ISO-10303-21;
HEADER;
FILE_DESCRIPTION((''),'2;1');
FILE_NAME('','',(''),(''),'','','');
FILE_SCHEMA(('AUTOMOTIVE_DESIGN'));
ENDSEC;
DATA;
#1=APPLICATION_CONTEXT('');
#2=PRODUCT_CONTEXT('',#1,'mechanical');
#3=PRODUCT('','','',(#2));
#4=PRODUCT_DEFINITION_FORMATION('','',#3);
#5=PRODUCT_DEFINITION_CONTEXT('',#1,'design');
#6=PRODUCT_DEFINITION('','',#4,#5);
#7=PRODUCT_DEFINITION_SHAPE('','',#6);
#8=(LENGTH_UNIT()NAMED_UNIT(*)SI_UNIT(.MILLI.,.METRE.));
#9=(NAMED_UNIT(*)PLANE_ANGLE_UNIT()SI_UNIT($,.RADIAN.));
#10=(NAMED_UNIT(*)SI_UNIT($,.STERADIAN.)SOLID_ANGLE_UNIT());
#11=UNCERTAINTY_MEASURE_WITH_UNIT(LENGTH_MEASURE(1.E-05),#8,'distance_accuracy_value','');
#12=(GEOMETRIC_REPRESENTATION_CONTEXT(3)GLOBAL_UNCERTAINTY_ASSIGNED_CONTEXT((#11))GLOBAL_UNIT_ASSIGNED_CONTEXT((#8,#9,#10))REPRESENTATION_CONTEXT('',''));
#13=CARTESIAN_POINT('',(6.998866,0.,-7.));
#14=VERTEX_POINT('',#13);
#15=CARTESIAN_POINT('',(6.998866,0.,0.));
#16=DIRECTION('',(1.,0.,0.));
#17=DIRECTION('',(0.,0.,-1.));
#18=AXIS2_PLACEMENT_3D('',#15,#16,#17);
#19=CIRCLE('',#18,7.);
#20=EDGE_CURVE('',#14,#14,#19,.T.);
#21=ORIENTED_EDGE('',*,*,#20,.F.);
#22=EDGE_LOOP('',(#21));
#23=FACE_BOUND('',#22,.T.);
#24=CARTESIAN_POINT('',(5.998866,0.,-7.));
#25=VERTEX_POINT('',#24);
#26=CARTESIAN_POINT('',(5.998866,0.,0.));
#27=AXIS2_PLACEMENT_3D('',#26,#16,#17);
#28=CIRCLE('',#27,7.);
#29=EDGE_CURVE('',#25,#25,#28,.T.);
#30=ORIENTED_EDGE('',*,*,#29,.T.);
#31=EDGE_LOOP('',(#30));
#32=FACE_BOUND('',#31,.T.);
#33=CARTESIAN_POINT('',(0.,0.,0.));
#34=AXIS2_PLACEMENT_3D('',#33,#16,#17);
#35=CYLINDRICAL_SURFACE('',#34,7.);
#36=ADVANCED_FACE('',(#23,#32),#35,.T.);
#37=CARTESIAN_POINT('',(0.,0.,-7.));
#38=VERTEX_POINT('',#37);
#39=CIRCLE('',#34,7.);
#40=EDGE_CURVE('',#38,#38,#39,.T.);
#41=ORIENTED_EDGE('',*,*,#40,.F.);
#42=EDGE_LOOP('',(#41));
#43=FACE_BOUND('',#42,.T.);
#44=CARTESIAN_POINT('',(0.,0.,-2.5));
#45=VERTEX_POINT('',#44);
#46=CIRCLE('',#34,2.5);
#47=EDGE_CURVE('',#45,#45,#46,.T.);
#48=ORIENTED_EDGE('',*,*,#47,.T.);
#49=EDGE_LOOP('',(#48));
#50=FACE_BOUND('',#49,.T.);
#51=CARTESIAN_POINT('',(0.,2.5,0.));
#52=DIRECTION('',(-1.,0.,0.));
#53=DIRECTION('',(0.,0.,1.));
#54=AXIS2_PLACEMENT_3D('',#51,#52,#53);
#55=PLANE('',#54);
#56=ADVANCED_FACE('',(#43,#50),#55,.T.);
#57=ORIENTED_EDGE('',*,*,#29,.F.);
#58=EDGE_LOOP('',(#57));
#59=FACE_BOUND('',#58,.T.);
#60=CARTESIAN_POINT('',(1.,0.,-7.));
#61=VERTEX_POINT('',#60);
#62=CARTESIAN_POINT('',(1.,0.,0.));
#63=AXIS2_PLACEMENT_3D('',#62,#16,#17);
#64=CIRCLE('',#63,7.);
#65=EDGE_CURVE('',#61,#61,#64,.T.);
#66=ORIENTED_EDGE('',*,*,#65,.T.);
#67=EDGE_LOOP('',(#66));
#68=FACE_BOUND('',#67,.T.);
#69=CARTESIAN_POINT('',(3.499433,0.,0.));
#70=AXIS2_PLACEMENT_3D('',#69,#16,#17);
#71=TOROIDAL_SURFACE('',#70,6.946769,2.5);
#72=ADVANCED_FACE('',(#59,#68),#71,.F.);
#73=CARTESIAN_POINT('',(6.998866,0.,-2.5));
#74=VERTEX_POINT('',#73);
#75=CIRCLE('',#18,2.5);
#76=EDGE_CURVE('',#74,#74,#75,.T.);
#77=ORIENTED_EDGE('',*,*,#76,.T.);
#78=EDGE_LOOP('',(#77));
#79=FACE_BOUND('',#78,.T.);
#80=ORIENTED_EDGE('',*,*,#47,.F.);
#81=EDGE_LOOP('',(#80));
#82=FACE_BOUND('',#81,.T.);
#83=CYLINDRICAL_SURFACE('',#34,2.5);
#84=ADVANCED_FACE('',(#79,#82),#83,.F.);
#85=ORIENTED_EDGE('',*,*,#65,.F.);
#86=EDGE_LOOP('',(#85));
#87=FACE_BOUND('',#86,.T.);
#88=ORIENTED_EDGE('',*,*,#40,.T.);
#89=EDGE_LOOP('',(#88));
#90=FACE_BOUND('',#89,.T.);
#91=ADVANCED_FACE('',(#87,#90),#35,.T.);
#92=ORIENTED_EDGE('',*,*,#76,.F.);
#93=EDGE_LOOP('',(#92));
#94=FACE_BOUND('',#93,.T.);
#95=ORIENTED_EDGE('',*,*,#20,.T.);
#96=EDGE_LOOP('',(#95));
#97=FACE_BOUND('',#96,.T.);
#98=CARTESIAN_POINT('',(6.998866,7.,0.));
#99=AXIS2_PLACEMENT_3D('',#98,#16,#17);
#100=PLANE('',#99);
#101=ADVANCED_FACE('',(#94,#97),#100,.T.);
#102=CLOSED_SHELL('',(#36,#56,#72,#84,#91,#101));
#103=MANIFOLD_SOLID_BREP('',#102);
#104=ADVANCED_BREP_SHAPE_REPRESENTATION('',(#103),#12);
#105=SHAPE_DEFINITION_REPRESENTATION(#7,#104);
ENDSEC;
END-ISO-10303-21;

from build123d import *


with BuildPart() as part:
    # Sketch1 → Revolve1 (revolve)
    with BuildSketch(Plane.XY, mode=Mode.PRIVATE) as revolve1_sk:
        with BuildLine():
            Line((0, 2.5), (6.998866441, 2.5))
            Line((6.998866441, 2.5), (6.998866441, 7))
            Line((6.998866441, 7), (5.998866441, 7))
            ThreePointArc((5.998866441, 7), (3.499433221, 4.446768664), (1, 7))
            Line((1, 7), (0, 7))
            Line((0, 7), (0, 2.5))
        make_face()
    revolve(revolve1_sk.sketch.rotate(Axis((0, 0, 0), (-1, 0, 0)), 90), axis=Axis((0, 0, 0), (-1, 0, 0)))


solid = part.part
